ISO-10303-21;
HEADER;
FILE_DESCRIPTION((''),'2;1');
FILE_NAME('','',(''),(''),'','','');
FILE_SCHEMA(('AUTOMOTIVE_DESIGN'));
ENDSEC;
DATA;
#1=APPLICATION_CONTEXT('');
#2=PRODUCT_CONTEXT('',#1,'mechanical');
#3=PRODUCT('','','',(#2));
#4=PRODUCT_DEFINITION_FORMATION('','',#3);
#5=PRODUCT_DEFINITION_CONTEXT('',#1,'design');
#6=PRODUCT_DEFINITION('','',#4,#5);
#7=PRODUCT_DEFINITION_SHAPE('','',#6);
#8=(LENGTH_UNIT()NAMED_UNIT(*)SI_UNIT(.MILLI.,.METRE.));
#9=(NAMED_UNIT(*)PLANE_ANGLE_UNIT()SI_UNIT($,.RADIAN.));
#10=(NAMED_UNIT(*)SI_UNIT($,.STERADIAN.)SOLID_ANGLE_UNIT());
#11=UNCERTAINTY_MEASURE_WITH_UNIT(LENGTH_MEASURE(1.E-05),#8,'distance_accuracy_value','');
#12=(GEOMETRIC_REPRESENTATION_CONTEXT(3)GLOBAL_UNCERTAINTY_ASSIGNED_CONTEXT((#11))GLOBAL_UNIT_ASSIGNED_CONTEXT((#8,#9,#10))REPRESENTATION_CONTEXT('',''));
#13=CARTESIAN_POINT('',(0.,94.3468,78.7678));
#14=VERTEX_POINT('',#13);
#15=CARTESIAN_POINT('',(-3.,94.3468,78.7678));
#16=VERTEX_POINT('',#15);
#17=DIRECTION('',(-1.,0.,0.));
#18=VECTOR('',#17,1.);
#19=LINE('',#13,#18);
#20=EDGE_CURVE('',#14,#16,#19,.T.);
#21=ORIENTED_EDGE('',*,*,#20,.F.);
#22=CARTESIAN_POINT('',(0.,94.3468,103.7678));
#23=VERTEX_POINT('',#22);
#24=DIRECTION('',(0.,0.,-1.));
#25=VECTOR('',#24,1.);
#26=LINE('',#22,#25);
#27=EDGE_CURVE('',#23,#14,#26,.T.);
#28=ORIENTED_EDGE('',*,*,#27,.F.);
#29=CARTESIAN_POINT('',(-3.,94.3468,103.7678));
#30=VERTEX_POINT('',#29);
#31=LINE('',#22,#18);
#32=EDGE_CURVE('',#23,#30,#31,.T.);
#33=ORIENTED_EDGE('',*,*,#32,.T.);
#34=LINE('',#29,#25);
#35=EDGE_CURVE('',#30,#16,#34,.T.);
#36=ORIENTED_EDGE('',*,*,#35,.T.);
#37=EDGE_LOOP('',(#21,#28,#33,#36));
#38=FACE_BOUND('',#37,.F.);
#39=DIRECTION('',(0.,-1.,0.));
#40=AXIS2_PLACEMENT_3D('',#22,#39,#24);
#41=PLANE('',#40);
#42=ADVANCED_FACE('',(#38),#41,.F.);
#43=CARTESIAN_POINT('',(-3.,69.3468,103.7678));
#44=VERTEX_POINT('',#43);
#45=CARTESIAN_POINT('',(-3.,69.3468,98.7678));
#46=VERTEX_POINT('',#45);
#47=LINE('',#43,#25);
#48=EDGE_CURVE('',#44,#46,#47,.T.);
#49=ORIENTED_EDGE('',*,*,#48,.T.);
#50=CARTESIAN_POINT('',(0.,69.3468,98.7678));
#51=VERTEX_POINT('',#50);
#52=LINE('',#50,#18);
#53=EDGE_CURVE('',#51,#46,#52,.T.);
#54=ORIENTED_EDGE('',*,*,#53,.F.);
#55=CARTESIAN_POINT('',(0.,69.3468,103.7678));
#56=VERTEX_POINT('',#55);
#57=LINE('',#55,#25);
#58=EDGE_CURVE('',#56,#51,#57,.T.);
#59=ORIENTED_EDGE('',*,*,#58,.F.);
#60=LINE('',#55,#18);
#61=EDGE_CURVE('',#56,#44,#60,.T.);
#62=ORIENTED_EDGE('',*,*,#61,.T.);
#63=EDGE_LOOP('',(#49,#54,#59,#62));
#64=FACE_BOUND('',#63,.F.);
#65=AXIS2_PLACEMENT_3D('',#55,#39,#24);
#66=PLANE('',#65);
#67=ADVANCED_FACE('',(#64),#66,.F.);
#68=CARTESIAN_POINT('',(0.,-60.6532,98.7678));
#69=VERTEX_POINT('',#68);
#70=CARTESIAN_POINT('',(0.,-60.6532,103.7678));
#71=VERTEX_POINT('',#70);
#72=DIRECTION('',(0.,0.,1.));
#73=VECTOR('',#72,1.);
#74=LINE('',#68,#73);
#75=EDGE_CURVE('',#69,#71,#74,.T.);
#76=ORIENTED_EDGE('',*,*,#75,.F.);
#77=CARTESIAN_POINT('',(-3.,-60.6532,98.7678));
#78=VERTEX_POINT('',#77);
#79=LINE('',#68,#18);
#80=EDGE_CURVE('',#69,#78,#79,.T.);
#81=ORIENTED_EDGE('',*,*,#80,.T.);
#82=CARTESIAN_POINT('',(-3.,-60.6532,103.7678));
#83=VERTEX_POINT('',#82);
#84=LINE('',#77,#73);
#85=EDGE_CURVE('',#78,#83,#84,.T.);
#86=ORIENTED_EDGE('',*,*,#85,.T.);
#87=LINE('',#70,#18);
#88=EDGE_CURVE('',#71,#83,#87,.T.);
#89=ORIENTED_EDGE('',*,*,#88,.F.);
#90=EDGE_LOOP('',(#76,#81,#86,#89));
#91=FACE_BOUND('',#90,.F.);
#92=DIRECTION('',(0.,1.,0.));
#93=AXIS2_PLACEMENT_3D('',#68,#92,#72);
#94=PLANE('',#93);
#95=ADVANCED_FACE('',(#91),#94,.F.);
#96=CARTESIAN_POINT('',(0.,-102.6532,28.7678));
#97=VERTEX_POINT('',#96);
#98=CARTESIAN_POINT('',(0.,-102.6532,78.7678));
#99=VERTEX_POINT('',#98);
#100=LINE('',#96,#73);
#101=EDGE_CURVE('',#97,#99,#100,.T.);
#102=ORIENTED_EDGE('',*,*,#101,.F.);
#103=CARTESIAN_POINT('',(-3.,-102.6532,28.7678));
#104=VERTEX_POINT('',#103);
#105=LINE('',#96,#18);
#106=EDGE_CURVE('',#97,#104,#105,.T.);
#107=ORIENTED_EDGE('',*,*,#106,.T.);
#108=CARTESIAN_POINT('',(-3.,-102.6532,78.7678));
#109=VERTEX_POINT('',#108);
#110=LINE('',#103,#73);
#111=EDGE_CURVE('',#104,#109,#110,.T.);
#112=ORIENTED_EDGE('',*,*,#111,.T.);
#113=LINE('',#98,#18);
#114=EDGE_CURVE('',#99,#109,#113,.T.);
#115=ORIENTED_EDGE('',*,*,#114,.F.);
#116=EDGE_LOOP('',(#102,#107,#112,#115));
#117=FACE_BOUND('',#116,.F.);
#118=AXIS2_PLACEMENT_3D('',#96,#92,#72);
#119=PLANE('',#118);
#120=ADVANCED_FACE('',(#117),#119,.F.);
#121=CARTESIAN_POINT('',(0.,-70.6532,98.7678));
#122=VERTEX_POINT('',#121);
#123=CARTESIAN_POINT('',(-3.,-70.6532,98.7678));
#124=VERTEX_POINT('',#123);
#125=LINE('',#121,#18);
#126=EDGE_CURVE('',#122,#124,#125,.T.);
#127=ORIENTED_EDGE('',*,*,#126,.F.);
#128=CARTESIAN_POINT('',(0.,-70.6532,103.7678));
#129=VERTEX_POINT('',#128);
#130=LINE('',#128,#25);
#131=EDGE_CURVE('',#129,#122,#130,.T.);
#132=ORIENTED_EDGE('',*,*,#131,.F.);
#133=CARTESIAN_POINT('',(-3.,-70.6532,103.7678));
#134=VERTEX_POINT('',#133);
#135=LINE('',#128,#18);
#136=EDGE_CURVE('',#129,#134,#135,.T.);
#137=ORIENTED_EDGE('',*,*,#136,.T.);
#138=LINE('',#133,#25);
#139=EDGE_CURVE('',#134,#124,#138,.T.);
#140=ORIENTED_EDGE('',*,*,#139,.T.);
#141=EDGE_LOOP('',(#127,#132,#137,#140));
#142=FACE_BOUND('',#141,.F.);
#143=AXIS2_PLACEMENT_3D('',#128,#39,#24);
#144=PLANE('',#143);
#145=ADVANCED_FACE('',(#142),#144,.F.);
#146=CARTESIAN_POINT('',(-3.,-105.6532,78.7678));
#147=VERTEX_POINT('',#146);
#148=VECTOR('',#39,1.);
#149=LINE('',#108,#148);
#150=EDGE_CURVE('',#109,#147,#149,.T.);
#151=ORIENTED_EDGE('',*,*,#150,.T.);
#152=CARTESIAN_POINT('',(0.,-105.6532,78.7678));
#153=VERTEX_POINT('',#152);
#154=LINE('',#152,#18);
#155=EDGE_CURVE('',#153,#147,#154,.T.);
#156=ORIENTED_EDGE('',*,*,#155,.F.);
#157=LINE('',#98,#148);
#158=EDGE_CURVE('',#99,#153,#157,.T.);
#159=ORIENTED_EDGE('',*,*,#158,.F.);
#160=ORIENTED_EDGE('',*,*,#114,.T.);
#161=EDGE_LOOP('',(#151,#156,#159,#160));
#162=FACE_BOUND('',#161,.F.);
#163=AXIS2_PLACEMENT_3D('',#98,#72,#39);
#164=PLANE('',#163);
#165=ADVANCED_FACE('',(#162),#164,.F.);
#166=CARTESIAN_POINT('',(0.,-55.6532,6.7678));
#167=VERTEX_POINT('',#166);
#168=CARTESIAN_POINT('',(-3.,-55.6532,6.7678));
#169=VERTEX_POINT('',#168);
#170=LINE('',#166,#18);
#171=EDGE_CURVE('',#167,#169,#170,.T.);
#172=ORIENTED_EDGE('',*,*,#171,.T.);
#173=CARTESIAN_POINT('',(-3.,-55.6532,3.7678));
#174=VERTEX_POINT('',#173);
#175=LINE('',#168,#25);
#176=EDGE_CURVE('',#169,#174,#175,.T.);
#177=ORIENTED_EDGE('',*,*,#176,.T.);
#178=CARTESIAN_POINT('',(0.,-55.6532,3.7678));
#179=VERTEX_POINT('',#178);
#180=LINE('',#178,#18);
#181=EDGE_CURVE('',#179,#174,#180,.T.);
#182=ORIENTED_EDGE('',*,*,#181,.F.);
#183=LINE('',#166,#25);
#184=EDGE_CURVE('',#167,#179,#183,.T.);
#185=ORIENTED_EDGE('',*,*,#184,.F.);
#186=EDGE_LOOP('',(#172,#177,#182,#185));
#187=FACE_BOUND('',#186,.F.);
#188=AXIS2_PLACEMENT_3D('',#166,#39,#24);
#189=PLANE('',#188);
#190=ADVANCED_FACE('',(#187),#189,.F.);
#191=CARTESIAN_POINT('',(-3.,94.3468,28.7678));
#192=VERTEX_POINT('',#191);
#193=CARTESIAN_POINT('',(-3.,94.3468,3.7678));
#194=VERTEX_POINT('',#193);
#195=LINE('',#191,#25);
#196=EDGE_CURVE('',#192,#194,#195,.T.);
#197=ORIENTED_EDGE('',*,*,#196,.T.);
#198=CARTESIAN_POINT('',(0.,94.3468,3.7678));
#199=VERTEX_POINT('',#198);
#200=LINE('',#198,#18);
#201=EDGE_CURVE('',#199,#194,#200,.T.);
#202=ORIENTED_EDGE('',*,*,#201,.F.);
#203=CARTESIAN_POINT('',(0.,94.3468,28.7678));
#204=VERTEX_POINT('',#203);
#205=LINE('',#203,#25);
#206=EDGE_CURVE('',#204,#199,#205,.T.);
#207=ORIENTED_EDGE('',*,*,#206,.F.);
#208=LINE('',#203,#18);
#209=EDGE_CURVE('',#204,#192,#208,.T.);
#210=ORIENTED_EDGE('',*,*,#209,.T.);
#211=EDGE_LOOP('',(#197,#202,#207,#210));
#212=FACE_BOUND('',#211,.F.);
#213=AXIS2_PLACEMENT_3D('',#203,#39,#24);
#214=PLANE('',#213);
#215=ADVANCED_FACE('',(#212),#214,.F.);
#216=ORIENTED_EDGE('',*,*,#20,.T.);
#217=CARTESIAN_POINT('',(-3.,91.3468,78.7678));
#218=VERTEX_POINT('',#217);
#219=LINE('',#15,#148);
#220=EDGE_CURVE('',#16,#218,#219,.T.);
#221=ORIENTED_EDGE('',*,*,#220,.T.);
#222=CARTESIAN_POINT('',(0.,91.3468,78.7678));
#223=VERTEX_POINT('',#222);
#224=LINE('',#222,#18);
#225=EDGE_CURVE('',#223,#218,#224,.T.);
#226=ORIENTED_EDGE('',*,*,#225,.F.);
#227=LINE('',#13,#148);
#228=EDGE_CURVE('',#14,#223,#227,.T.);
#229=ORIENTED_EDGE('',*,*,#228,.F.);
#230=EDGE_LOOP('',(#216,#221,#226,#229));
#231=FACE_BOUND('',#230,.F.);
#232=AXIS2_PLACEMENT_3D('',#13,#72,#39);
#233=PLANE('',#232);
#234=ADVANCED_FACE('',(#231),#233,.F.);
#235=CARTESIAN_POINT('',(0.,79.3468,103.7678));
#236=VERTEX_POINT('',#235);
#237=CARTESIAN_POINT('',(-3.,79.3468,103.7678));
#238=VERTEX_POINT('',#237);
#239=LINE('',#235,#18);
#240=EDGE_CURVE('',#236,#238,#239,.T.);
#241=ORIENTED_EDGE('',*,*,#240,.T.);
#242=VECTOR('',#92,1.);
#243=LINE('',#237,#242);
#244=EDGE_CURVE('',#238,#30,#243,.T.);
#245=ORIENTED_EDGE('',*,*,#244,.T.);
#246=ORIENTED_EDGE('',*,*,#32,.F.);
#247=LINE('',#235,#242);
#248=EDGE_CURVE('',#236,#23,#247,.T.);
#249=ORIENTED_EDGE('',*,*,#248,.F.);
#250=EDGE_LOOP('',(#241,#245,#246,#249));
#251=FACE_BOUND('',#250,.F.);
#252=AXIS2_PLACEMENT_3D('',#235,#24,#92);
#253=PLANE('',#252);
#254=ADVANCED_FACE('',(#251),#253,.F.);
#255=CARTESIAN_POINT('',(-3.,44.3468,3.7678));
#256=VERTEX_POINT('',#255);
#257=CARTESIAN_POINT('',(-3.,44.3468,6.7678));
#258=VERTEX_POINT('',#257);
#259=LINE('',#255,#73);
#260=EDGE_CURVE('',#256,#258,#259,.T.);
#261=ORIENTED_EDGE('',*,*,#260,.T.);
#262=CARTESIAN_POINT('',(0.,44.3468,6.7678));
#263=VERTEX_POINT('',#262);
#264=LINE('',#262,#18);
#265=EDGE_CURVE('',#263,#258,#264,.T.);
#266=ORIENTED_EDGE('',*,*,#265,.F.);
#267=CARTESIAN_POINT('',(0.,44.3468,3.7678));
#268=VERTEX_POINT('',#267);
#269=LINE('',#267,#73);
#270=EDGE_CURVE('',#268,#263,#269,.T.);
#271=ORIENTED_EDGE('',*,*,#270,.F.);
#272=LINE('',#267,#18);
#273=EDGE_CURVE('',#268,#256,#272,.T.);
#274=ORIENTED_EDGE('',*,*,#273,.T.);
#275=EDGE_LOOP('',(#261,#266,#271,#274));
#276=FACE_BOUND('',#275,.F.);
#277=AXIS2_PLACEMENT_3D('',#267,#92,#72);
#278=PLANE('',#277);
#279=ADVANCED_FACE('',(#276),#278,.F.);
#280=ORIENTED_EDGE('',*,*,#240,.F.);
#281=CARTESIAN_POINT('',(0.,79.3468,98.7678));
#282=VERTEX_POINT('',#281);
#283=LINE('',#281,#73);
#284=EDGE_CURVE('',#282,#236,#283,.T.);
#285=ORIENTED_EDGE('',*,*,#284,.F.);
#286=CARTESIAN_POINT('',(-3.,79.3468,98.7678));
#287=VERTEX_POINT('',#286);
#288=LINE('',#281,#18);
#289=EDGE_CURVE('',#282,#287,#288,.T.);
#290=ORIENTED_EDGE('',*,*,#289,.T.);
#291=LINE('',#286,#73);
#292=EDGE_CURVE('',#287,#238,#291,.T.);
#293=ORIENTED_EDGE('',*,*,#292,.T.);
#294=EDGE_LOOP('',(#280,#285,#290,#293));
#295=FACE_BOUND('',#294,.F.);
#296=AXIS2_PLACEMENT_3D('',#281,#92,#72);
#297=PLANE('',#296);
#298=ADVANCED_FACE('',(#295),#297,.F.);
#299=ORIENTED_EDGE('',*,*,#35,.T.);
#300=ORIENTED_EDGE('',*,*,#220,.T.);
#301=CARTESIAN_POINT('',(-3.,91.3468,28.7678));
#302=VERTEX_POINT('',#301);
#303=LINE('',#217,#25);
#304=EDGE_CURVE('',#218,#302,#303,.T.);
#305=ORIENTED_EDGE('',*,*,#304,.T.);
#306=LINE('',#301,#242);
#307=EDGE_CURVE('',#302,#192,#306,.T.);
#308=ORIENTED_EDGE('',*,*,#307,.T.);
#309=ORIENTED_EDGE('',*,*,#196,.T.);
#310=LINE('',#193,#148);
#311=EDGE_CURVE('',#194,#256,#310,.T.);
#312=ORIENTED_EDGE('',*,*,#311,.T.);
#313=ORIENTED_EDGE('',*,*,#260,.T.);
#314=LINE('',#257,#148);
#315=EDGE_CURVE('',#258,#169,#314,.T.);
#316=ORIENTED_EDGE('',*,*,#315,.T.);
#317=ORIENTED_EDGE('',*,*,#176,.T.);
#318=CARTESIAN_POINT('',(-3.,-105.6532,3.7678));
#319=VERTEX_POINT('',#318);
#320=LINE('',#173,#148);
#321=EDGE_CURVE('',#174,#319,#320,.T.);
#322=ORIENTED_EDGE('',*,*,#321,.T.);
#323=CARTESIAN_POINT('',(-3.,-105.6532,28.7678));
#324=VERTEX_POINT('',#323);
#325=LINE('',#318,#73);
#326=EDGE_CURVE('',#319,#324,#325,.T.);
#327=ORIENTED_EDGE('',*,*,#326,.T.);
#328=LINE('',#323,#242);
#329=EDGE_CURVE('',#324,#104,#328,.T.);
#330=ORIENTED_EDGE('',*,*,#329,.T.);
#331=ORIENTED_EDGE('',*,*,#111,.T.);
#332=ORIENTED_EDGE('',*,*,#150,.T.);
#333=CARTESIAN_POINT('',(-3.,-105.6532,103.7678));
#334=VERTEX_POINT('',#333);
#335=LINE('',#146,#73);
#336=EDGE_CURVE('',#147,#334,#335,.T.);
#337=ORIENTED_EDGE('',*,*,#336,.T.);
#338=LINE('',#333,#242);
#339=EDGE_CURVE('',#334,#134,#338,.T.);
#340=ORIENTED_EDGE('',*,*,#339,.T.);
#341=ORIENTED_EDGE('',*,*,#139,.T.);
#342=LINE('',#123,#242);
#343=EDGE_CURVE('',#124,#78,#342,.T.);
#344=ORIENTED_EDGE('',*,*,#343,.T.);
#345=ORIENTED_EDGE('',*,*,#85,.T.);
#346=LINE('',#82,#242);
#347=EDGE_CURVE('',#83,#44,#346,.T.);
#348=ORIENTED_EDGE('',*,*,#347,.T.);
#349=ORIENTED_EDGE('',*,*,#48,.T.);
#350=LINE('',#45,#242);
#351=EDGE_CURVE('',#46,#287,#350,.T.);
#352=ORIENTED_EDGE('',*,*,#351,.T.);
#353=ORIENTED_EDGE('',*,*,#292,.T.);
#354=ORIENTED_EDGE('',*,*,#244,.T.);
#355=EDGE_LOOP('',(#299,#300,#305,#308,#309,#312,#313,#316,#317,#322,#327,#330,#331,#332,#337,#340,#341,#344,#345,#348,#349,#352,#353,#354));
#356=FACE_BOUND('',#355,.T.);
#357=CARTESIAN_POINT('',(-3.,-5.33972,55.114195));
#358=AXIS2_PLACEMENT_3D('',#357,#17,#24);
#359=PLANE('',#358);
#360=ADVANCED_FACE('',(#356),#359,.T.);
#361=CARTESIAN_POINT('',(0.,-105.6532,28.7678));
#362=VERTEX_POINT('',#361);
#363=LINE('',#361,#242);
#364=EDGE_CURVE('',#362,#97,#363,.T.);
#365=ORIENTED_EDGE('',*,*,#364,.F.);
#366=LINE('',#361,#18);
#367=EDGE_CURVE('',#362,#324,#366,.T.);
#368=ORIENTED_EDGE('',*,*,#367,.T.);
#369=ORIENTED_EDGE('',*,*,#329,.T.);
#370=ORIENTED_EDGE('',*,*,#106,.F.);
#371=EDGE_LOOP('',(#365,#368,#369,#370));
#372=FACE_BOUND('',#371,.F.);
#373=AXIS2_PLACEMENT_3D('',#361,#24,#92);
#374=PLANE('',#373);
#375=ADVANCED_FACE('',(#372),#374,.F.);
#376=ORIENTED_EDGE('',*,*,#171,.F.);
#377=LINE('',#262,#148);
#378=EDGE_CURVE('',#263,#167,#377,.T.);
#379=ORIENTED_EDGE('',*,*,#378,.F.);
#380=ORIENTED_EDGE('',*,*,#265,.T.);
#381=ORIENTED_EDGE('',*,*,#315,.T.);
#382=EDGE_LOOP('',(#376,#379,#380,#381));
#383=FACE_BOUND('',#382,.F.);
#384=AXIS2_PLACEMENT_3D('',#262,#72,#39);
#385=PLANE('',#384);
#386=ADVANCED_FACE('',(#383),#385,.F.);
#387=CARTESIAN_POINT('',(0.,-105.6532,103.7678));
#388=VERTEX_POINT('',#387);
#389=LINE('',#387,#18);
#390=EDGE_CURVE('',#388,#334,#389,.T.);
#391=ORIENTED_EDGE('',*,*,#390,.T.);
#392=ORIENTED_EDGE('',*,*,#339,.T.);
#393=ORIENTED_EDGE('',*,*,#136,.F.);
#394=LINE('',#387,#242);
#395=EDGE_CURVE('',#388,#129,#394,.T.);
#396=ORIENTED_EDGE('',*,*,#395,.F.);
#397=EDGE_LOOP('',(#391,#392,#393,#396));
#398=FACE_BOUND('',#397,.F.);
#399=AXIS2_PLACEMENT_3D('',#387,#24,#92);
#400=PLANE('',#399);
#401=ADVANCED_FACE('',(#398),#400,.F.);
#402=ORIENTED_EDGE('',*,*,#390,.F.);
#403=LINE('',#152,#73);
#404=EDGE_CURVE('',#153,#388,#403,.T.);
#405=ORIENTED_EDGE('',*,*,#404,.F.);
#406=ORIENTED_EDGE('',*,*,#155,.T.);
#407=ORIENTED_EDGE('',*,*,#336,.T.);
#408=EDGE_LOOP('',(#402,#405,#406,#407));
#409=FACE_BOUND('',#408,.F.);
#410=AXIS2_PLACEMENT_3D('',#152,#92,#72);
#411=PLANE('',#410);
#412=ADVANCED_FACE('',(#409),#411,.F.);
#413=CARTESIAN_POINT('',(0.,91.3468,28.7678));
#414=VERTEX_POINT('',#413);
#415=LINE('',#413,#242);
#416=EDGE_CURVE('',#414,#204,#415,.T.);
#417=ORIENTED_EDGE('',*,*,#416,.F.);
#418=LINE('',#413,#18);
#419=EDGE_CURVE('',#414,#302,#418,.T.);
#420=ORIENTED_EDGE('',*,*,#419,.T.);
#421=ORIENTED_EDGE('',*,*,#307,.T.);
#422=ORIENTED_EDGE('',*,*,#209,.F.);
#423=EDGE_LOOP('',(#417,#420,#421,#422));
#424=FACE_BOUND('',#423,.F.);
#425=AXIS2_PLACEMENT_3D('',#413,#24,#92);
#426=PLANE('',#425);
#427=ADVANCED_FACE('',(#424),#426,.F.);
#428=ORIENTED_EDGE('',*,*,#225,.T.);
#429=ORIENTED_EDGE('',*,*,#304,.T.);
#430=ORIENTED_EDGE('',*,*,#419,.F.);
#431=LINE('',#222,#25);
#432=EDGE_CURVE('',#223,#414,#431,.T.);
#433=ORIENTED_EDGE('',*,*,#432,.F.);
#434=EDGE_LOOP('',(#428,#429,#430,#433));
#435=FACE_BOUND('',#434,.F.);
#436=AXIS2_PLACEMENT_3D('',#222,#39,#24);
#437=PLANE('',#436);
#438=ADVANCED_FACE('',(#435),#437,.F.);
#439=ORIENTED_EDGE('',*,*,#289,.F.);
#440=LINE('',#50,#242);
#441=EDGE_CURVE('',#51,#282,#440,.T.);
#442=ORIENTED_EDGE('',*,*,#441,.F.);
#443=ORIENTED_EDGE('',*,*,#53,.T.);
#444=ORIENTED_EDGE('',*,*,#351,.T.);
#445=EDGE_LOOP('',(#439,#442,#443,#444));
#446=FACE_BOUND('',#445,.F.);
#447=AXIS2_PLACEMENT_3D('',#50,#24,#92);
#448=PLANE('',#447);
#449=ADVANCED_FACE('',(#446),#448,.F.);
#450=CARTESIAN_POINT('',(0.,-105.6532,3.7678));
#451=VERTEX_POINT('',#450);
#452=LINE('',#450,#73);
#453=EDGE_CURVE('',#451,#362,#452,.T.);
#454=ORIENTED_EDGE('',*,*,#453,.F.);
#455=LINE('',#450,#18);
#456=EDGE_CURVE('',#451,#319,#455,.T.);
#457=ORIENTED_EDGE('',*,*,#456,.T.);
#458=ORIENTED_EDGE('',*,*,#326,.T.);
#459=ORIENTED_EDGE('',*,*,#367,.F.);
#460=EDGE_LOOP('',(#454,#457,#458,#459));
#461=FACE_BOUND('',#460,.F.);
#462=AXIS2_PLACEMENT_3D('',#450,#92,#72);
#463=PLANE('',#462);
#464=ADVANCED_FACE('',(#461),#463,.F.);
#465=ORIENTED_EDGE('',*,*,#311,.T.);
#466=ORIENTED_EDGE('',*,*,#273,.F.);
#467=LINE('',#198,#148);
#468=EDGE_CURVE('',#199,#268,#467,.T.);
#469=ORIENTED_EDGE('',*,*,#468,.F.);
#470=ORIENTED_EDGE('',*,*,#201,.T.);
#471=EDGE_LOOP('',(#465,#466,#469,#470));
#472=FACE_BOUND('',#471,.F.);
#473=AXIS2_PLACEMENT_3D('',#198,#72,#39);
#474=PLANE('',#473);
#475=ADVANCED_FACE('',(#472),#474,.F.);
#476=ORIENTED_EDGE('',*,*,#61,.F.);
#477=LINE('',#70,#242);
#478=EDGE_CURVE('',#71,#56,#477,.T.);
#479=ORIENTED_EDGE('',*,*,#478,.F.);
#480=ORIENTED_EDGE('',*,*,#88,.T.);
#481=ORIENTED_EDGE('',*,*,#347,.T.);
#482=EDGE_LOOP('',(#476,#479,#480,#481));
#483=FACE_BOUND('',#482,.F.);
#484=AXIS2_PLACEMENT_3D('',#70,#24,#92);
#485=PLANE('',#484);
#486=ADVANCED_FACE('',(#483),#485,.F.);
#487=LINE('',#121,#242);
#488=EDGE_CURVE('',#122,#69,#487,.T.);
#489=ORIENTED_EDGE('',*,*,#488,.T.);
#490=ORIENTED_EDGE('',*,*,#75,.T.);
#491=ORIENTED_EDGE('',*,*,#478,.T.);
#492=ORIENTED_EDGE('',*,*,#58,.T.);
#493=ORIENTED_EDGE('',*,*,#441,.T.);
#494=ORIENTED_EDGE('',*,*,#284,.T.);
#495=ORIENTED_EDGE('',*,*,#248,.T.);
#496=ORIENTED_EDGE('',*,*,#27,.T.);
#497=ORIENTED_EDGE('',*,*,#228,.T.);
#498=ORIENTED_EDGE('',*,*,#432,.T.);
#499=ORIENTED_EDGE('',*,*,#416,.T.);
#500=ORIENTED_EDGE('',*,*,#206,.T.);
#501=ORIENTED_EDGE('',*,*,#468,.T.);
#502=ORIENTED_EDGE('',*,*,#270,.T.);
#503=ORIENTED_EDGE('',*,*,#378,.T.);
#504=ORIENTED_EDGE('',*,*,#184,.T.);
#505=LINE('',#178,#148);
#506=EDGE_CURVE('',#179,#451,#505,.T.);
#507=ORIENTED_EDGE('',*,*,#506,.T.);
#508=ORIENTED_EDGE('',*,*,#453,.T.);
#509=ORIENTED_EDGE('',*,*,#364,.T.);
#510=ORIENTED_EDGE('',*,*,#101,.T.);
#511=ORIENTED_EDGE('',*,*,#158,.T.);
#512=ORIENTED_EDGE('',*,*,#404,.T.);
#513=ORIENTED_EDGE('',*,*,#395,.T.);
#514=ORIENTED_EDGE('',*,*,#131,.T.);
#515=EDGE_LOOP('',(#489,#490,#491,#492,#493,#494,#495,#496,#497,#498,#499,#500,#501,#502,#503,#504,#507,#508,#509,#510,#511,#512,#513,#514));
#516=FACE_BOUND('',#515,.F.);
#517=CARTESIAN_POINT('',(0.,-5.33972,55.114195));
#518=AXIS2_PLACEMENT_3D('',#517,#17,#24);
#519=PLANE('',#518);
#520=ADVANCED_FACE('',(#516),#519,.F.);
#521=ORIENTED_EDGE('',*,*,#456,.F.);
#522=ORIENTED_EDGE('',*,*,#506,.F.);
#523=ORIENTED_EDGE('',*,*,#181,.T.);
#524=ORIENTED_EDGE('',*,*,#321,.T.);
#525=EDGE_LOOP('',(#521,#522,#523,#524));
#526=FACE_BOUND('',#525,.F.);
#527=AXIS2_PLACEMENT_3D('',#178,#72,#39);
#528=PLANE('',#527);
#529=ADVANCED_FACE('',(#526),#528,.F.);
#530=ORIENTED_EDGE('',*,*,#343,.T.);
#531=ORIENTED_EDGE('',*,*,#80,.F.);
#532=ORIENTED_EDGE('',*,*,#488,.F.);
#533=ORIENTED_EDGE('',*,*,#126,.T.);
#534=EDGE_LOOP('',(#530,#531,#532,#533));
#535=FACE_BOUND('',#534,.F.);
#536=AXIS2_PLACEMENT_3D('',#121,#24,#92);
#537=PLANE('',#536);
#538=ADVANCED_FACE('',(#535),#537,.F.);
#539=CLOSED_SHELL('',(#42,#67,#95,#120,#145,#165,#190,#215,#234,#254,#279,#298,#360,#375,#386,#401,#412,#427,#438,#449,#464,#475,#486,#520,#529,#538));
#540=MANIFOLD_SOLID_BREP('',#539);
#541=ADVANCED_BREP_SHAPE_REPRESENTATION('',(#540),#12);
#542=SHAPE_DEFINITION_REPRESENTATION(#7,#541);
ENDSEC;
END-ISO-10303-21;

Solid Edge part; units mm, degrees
sketch "Sketch1" plane through (0, 0, 0) normal (1, 0, 0) x (0, 1, 0)
  line L0 (-105.6532, 103.7678) -> (-70.6532, 103.7678)
  line L1 (-70.6532, 103.7678) -> (-70.6532, 98.7678)
  line L2 (-70.6532, 98.7678) -> (-60.6532, 98.7678)
  line L3 (-60.6532, 98.7678) -> (-60.6532, 103.7678)
  line L4 (-60.6532, 103.7678) -> (69.3468, 103.7678)
  line L5 (69.3468, 103.7678) -> (69.3468, 98.7678)
  line L6 (69.3468, 98.7678) -> (79.3468, 98.7678)
  line L7 (79.3468, 98.7678) -> (79.3468, 103.7678)
  line L8 (79.3468, 103.7678) -> (94.3468, 103.7678)
  line L9 (94.3468, 103.7678) -> (94.3468, 78.7678)
  line L10 (94.3468, 78.7678) -> (91.3468, 78.7678)
  line L11 (91.3468, 78.7678) -> (91.3468, 28.7678)
  line L12 (91.3468, 28.7678) -> (94.3468, 28.7678)
  line L13 (94.3468, 28.7678) -> (94.3468, 3.7678)
  line L14 (94.3468, 3.7678) -> (44.3468, 3.7678)
  line L15 (44.3468, 3.7678) -> (44.3468, 6.7678)
  line L16 (44.3468, 6.7678) -> (-55.6532, 6.7678)
  line L17 (-55.6532, 6.7678) -> (-55.6532, 3.7678)
  line L18 (-55.6532, 3.7678) -> (-105.6532, 3.7678)
  line L19 (-105.6532, 3.7678) -> (-105.6532, 28.7678)
  line L20 (-105.6532, 28.7678) -> (-102.6532, 28.7678)
  line L21 (-102.6532, 28.7678) -> (-102.6532, 78.7678)
  line L22 (-102.6532, 78.7678) -> (-105.6532, 78.7678)
  line L23 (-105.6532, 78.7678) -> (-105.6532, 103.7678)
  dimension "D1" = 5
  dimension "D2" = 200
  dimension "D3" = 100
  dimension "D4" = 100
  dimension "D5" = 50
  dimension "D6" = 25
  dimension "D7" = 130
  dimension "D8" = 35
  dimension "D9" = 3
  dimension "D10" = 10
extrude "Protrusion1" add sketch "Sketch1" against normal blind 3
properties material "Acier"
